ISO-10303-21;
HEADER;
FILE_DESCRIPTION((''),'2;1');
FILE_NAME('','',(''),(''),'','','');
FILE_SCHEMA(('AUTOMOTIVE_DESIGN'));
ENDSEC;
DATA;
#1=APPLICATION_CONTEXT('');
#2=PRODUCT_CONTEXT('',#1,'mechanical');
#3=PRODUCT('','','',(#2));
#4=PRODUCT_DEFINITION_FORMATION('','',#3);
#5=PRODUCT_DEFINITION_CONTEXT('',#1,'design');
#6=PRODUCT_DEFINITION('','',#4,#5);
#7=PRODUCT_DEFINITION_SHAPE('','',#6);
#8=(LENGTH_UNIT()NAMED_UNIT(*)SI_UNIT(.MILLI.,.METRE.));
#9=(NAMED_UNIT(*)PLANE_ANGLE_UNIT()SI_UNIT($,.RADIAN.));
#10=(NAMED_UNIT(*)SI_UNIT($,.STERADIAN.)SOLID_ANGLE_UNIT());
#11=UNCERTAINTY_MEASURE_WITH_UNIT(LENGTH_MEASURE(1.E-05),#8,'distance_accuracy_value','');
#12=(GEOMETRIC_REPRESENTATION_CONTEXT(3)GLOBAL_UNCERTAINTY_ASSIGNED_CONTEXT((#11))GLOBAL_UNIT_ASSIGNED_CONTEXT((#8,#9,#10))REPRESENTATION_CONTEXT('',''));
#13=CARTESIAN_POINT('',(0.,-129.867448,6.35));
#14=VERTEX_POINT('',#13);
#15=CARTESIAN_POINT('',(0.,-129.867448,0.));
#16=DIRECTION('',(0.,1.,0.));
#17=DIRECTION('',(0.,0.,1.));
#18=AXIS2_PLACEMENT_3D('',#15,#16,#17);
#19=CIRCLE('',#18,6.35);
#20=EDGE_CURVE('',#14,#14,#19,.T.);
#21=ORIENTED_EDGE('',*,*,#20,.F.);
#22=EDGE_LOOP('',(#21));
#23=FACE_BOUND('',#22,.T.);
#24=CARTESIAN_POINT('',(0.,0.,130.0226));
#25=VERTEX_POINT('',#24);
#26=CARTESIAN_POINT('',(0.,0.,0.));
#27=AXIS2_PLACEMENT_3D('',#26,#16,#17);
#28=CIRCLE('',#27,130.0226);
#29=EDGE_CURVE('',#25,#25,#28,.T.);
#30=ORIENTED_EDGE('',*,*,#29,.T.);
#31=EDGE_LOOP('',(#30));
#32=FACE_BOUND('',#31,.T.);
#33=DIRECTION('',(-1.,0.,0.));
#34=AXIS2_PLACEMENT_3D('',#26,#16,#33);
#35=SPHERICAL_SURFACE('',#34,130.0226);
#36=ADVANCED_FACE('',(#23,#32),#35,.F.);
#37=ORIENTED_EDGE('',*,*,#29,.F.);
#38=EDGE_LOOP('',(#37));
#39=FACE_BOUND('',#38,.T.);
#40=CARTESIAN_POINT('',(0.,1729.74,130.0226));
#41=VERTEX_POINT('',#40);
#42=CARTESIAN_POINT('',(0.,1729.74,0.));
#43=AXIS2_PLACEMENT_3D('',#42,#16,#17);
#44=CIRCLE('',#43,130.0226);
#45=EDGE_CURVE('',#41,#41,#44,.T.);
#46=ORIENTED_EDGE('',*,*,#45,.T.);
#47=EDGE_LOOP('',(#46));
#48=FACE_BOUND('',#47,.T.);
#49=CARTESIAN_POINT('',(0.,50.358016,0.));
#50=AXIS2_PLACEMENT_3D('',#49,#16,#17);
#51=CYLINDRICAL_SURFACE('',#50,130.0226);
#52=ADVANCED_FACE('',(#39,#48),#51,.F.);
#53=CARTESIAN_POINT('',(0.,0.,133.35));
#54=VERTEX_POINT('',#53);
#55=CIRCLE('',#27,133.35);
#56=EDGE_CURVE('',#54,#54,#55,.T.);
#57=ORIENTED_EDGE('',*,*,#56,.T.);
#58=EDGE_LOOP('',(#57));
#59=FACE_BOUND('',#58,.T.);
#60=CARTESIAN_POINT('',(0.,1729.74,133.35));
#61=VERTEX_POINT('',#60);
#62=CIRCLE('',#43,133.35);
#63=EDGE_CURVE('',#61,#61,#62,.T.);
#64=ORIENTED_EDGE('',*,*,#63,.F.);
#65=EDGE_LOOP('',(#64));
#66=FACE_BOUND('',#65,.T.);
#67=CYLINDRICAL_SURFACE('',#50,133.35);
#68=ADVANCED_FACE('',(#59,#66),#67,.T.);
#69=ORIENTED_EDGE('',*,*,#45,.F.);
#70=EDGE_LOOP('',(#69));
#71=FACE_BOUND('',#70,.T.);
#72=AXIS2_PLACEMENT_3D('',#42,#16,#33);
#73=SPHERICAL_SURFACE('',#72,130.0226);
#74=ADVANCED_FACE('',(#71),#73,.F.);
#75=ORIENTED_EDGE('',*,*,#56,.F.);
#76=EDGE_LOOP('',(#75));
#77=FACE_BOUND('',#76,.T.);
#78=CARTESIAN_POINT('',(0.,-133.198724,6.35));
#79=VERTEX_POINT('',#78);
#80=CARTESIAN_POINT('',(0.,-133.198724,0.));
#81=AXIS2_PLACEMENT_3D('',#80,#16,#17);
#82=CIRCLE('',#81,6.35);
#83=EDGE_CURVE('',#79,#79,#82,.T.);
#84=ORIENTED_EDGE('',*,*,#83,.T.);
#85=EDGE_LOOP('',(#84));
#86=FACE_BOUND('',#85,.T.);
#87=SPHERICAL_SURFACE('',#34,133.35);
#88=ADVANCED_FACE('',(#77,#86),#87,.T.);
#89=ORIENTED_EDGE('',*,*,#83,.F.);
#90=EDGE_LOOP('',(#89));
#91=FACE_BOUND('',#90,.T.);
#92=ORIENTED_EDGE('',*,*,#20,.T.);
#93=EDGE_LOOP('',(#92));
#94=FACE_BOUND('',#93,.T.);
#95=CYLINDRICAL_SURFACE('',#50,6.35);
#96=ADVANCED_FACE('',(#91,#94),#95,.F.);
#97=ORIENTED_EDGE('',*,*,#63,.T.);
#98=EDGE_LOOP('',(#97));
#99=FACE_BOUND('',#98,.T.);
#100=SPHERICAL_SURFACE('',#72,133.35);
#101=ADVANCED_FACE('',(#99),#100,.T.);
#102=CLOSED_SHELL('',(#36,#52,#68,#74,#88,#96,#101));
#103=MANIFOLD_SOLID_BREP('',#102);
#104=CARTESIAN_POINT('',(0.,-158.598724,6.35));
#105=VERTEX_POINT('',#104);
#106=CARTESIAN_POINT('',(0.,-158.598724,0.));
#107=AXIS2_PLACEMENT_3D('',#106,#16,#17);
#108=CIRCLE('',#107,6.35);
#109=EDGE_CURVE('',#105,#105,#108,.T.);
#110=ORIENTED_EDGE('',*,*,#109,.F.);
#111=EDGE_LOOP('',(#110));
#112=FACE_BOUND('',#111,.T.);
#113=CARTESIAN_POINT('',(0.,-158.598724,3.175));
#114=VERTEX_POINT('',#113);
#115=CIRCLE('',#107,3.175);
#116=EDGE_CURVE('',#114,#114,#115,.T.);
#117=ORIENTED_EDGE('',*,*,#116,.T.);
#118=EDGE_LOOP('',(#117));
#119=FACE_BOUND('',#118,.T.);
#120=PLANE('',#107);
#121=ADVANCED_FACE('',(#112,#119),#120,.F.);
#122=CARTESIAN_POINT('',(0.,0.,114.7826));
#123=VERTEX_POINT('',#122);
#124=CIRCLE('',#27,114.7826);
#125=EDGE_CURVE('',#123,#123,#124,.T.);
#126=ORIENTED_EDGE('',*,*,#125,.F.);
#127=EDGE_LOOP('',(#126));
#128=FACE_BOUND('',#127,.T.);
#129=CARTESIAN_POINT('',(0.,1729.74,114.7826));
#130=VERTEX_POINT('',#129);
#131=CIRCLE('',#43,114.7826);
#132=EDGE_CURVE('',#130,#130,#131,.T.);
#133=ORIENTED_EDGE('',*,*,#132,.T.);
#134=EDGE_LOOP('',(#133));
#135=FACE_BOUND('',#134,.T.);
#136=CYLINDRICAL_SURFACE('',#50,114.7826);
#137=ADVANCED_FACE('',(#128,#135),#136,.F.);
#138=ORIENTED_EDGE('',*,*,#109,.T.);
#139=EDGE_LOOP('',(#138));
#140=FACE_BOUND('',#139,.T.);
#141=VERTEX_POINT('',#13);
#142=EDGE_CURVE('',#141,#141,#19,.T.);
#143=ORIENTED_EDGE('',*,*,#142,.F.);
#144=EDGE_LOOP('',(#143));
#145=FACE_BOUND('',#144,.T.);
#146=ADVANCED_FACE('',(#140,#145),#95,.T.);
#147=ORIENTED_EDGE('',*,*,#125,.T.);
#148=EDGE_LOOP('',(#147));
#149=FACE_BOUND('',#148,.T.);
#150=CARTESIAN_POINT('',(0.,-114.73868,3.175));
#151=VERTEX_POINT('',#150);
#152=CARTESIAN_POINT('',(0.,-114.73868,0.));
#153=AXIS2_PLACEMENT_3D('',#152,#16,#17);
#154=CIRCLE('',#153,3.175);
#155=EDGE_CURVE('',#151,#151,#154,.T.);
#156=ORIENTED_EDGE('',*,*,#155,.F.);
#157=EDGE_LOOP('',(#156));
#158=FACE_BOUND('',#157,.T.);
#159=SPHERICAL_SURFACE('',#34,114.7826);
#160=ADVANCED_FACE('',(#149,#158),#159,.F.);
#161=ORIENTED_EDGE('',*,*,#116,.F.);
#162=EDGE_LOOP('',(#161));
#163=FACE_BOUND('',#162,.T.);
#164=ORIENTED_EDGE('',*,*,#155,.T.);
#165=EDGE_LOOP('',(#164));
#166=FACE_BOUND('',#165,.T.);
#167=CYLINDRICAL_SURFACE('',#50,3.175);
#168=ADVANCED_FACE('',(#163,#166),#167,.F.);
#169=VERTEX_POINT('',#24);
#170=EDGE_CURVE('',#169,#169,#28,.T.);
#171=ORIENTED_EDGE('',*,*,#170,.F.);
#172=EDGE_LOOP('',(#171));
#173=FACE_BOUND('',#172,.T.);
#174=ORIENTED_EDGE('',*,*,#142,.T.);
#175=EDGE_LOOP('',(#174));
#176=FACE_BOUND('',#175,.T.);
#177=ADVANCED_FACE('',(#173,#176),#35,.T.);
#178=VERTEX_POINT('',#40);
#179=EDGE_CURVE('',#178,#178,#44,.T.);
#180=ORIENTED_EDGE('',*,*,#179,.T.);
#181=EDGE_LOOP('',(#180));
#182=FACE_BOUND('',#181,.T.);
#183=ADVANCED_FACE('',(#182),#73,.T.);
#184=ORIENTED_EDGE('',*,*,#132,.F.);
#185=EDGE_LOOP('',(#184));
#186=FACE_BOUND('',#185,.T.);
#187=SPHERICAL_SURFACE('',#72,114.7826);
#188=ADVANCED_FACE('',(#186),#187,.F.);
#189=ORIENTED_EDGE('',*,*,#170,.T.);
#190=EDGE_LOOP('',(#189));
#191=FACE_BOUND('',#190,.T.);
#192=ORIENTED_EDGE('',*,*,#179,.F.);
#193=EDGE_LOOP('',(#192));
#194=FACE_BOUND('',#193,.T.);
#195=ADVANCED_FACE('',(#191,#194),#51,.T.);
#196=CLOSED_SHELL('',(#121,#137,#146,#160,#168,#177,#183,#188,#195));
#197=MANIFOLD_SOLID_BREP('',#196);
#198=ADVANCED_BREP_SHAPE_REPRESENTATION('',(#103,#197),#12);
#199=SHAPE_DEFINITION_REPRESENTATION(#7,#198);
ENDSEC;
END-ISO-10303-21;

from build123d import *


with BuildPart() as part:
    # Sketch1 (on Front Plane) → Revolve1 (revolve)
    with BuildSketch(Plane.XY):
        with BuildLine():
            Line((-114.7826, 1729.74), (-114.7826, 0))
            ThreePointArc((-114.7826, 0), (-82.278429791, -80.033150968), (-3.175, -114.73867978))
            Line((-3.175, -114.73867978), (-3.175, -158.598723718))
            Line((-3.175, -158.598723718), (-6.35, -158.598723718))
            Line((-6.35, -158.598723718), (-6.35, -129.867447849))
            ThreePointArc((-6.35, -129.867447849), (-94.158164863, -89.666696718), (-130.0226, 0))
            Line((-130.0226, 0), (-130.0226, 1729.74))
            ThreePointArc((-130.0226, 1729.74), (-91.939862168, 1821.679862168), (0, 1859.7626))
            Line((0, 1859.7626), (0, 1844.5226))
            ThreePointArc((0, 1844.5226), (-81.163554822, 1810.903554822), (-114.7826, 1729.74))
        make_face()
    revolve(axis=Axis((0, 50.358015581, 0), (0, -1, 0)))


with BuildPart() as body_2:
    # Sketch1<4> → Revolve2 (revolve)
    with BuildSketch(Plane.XY):
        with BuildLine():
            ThreePointArc((-130.0226, 1729.74), (-91.939862168, 1821.679862168), (0, 1859.7626))
            Line((0, 1859.7626), (0, 1863.09))
            ThreePointArc((0, 1863.09), (-94.292689271, 1824.032689271), (-133.35, 1729.74))
            Line((-133.35, 1729.74), (-133.35, 0))
            ThreePointArc((-133.35, 0), (-96.511644375, -92.020242338), (-6.35, -133.198723718))
            Line((-6.35, -133.198723718), (-6.35, -129.867447849))
            ThreePointArc((-6.35, -129.867447849), (-94.158164863, -89.666696718), (-130.0226, 0))
            Line((-130.0226, 0), (-130.0226, 1729.74))
        make_face()
    revolve(axis=Axis((0, 50.358015581, 0), (0, -1, 0)))


solid = Compound([part.part, body_2.part])
